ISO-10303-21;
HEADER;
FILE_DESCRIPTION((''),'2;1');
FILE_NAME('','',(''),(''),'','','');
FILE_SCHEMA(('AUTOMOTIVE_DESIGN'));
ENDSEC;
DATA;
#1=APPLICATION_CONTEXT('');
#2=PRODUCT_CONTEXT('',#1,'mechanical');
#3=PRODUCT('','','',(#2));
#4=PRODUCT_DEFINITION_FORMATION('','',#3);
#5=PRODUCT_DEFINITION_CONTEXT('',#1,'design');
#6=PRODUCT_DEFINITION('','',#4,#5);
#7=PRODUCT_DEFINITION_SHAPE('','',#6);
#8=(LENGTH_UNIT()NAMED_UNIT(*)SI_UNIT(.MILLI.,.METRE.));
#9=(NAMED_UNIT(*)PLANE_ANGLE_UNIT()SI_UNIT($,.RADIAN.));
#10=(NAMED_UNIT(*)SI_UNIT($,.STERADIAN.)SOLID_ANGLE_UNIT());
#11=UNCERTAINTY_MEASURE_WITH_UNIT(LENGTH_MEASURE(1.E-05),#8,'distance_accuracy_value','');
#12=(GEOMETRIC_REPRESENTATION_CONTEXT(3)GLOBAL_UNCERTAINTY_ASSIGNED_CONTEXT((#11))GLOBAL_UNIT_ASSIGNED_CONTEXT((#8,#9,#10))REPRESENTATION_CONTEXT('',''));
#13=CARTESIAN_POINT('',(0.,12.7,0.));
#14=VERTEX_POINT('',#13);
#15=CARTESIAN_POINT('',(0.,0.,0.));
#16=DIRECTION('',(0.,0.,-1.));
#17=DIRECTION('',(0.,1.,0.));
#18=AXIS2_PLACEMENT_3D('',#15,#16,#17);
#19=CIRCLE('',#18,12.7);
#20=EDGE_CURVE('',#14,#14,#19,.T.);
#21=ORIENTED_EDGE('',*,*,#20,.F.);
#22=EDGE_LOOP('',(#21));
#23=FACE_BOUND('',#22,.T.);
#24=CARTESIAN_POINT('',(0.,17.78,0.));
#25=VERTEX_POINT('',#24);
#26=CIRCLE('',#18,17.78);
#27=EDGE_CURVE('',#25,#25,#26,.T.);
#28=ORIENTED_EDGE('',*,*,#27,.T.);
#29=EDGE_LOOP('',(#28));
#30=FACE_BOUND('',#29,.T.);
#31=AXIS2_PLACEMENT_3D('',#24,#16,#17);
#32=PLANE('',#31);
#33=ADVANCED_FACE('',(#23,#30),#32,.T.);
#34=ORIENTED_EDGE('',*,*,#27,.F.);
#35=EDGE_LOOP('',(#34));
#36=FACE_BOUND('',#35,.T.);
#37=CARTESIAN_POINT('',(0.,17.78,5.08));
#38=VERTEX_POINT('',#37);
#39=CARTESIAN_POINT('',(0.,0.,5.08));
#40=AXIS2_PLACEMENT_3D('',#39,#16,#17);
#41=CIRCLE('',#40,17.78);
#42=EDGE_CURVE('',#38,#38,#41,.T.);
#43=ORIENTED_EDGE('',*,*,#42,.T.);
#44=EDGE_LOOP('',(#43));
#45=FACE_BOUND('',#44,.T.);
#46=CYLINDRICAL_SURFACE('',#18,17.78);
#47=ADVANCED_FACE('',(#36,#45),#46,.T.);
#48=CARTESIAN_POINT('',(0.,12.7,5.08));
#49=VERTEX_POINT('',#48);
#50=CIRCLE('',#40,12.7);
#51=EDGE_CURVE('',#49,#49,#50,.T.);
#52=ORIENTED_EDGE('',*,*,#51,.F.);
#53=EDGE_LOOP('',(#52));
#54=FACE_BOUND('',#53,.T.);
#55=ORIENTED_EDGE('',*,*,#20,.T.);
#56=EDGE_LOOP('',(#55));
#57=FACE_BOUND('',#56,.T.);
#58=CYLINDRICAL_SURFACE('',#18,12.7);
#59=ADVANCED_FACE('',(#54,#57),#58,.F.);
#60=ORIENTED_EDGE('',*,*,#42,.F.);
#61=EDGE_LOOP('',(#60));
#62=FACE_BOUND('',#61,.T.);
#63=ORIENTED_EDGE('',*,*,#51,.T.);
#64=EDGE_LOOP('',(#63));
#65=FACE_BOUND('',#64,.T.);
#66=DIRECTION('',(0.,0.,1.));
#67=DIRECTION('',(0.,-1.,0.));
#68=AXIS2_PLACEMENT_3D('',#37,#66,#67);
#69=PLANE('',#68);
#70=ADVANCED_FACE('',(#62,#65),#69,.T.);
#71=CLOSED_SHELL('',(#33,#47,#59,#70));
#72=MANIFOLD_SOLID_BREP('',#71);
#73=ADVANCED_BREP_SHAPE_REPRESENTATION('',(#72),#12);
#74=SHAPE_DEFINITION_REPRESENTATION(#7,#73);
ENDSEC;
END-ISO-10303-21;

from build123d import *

# Parameters (mm, degrees)
SKETCH1_W = 5.08
SKETCH1_H = 5.08


with BuildPart() as part:
    # Sketch1 → Revolve1 (revolve)
    with BuildSketch(Plane(origin=(0, 0, 0), x_dir=(0, 0, -1), z_dir=(1, 0, 0))):
        with Locations((-2.54, 15.24)):
            Rectangle(SKETCH1_W, SKETCH1_H)
    revolve(axis=Axis((0, 0, 0), (0, 0, 1)))


solid = part.part
